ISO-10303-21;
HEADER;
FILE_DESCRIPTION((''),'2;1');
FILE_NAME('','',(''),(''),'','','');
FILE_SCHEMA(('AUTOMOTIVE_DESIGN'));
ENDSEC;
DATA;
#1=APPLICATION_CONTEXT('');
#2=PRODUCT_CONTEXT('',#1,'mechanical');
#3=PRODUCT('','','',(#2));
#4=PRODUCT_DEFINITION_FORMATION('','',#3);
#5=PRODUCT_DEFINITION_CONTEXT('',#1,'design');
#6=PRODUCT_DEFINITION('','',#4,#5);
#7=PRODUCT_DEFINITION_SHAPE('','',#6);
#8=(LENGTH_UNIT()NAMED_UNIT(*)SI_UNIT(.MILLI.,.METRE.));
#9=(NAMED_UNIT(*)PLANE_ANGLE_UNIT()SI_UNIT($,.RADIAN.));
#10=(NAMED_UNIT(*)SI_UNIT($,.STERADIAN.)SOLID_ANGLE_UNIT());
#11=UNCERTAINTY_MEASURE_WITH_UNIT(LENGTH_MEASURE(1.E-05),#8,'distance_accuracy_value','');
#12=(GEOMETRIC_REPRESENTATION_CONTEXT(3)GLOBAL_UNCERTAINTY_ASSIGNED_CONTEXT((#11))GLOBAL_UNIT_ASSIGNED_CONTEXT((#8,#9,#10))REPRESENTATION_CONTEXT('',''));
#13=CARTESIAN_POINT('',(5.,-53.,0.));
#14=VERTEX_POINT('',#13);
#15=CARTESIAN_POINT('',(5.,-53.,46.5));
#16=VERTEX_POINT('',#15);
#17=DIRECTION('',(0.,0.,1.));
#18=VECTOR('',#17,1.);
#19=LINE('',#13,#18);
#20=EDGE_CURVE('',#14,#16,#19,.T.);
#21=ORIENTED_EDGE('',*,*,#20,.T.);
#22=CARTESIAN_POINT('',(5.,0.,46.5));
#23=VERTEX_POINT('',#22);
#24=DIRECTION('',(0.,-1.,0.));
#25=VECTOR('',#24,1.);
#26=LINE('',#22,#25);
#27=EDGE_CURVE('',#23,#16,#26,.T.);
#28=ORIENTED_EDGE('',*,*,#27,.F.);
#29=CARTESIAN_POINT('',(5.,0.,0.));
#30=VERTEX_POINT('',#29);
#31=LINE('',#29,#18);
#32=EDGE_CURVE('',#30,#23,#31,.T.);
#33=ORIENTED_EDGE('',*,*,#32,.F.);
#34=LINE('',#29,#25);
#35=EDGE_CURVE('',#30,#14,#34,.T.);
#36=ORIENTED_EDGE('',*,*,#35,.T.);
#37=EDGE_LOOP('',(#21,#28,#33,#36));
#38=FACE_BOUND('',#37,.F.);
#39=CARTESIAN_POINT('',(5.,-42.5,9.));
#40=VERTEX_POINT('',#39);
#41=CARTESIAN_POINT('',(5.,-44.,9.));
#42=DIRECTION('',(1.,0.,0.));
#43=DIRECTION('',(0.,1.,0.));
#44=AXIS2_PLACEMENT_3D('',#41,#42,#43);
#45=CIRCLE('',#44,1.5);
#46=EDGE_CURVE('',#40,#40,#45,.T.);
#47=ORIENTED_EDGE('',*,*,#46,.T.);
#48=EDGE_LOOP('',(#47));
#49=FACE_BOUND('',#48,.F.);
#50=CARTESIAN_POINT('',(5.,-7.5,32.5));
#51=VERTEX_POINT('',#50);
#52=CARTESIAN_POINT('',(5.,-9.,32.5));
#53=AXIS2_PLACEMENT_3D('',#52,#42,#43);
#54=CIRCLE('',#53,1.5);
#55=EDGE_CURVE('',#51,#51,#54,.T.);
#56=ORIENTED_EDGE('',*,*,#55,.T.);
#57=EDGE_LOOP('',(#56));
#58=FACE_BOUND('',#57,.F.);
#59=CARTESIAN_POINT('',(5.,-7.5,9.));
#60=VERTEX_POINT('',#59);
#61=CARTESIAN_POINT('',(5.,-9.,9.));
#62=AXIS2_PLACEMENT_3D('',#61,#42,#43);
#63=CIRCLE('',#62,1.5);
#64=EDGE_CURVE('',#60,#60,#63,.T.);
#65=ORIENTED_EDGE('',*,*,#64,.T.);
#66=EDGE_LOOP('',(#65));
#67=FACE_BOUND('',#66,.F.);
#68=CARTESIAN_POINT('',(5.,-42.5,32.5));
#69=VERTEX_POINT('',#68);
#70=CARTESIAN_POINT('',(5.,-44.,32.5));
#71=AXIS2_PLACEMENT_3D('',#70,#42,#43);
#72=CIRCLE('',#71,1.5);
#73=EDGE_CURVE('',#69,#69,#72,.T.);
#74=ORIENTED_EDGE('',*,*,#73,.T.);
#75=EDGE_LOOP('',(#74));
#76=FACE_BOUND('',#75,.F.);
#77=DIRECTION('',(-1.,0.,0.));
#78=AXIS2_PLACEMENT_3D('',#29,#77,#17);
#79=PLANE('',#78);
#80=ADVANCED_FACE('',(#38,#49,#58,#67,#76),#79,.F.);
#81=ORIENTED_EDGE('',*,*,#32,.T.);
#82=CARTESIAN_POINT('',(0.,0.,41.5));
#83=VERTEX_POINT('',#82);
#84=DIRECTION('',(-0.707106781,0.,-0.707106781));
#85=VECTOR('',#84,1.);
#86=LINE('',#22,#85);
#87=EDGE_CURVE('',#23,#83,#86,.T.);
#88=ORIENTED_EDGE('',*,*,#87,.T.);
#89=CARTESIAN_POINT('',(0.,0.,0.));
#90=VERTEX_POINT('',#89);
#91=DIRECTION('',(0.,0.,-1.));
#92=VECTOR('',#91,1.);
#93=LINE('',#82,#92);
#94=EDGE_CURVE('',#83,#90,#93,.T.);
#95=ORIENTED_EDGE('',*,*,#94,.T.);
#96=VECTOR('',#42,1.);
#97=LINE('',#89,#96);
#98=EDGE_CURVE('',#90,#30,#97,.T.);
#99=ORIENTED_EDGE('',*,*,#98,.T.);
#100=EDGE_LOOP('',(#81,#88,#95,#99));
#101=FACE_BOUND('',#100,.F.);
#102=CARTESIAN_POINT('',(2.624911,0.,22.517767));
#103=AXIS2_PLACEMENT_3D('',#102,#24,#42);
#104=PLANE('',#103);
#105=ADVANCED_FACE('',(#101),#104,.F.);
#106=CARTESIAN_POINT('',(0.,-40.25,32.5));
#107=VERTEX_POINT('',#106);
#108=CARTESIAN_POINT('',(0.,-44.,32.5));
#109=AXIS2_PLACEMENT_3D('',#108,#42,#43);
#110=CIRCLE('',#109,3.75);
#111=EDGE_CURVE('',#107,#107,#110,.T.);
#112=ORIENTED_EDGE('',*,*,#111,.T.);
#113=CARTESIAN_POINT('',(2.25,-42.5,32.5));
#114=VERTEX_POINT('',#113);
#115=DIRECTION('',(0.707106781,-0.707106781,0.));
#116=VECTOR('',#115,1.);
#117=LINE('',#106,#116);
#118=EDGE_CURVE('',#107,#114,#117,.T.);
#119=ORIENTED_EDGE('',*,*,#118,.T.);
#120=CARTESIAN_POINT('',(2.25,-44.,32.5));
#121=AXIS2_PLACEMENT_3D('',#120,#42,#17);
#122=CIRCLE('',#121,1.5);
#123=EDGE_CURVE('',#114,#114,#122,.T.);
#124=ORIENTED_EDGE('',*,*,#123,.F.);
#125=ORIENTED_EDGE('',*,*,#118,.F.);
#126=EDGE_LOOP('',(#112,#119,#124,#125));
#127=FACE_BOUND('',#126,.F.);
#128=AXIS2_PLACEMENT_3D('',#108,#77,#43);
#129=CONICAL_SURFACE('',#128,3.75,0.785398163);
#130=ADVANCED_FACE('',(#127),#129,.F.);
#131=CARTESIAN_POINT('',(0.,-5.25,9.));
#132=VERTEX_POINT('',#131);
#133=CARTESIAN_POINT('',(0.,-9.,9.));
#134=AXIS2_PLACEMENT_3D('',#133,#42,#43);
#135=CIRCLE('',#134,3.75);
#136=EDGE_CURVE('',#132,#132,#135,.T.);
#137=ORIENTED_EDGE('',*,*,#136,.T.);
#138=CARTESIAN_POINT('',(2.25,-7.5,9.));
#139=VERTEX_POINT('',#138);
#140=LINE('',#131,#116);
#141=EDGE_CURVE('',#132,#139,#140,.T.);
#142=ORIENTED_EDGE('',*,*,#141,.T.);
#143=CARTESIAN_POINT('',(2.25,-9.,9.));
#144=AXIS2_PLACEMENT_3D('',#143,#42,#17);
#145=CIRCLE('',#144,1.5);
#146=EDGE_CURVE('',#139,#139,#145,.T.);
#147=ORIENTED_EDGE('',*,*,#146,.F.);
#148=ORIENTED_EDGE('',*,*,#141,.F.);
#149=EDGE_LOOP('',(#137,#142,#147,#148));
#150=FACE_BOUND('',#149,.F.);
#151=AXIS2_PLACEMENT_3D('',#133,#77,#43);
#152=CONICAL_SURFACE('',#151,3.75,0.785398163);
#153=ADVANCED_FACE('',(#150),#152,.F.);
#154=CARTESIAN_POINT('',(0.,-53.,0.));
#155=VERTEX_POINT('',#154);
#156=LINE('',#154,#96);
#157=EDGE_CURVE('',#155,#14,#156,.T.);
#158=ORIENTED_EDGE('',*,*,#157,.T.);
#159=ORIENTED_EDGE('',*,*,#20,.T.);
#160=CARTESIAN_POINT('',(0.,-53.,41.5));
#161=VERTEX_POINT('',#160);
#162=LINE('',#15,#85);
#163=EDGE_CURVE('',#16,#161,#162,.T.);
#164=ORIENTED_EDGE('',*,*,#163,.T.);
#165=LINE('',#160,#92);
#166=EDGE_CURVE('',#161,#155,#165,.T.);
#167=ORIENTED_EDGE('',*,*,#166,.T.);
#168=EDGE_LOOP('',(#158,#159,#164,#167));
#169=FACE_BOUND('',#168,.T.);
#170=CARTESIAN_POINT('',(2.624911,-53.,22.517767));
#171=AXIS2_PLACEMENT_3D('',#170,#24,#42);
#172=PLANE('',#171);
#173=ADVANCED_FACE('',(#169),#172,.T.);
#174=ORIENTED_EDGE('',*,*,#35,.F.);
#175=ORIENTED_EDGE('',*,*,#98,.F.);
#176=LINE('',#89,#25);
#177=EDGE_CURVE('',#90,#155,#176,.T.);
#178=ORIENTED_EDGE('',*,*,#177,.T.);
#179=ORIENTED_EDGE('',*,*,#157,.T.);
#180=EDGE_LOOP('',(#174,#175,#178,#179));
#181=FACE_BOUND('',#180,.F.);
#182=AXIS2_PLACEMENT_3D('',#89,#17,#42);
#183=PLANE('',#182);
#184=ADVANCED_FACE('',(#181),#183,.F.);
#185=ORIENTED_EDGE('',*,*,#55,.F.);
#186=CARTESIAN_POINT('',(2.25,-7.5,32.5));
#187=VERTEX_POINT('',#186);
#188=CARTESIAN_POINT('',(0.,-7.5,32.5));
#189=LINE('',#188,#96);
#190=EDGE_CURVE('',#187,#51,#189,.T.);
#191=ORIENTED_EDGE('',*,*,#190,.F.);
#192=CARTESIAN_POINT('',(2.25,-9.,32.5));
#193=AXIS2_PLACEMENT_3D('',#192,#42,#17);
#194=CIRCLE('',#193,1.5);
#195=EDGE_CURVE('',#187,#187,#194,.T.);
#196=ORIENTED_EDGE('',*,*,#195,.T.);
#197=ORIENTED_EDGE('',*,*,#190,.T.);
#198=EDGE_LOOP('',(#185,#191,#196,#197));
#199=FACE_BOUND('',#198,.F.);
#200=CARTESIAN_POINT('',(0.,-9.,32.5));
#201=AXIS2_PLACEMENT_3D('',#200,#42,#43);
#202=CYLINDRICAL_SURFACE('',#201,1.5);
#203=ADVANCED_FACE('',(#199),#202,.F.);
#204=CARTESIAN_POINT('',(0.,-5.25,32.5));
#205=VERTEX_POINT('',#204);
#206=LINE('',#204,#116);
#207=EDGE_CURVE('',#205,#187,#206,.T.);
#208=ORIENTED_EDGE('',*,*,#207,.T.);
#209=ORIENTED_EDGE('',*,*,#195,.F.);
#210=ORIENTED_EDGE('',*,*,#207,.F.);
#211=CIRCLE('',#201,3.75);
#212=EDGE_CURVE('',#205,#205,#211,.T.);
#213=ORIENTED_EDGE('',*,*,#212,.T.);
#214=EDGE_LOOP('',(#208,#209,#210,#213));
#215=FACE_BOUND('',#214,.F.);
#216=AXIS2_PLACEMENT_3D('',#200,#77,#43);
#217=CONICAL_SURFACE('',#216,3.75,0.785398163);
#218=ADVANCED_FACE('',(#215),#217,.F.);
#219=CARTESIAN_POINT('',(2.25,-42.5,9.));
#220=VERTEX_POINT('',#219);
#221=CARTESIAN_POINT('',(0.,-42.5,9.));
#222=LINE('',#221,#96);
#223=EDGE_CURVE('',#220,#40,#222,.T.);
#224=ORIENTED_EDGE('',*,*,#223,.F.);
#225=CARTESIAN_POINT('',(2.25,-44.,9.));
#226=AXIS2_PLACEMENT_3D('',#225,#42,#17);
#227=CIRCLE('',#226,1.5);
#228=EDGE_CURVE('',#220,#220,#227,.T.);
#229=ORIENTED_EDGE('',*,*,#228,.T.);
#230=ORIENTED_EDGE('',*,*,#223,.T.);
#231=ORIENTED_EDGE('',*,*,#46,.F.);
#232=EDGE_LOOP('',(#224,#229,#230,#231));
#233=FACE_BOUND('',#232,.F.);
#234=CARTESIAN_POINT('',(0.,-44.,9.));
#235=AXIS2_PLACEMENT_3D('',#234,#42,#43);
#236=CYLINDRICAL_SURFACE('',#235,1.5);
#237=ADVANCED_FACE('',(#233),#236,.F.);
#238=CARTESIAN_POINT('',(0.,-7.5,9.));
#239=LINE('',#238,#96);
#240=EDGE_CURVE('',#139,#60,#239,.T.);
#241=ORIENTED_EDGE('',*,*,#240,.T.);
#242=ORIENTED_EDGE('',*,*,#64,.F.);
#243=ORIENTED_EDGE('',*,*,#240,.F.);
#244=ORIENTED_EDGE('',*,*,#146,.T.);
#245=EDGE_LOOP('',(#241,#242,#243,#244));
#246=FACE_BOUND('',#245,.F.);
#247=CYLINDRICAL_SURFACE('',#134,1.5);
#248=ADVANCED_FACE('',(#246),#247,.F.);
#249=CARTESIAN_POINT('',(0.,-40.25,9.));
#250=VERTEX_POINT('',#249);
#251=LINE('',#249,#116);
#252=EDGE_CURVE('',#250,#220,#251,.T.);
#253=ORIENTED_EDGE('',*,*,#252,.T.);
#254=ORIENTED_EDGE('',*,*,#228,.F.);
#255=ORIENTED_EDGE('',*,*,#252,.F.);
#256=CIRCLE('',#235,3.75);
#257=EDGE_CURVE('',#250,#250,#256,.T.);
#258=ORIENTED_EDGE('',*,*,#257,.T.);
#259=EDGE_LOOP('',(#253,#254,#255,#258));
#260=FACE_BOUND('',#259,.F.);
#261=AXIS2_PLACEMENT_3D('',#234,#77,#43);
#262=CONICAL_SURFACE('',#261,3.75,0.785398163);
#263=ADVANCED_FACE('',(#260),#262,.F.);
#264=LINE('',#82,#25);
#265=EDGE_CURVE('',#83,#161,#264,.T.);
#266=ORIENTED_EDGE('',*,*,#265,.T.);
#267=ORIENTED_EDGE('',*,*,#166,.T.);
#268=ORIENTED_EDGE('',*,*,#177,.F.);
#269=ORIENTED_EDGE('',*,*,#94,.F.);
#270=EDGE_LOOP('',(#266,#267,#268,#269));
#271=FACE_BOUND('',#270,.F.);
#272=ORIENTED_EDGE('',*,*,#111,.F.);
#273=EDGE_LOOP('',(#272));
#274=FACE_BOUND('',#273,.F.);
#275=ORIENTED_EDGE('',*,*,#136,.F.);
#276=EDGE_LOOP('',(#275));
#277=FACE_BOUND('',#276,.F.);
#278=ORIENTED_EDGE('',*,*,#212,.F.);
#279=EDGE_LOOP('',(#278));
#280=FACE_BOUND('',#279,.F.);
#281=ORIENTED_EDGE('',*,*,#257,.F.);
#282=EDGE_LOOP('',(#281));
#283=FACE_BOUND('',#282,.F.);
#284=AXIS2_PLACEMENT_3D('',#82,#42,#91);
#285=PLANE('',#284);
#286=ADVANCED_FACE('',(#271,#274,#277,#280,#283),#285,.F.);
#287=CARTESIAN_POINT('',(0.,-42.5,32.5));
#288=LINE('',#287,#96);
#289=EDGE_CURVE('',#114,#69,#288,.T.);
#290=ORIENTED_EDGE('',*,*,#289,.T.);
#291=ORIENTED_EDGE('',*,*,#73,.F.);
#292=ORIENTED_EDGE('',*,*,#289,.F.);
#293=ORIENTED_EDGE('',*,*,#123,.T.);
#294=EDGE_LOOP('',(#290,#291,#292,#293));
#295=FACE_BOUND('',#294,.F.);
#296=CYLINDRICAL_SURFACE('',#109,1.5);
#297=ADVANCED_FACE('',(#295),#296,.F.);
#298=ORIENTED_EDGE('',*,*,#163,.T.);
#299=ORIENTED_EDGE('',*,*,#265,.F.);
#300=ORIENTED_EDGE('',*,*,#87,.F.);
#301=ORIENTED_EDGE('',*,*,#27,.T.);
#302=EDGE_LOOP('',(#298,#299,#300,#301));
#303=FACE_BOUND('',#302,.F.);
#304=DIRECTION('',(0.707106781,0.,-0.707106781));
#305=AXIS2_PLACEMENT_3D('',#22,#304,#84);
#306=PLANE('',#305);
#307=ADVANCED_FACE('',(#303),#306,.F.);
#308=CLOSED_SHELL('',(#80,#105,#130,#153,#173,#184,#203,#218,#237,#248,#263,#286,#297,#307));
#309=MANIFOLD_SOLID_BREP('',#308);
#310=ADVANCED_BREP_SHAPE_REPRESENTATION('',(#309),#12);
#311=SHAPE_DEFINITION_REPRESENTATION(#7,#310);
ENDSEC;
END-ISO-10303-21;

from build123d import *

# Parameters (mm, degrees)
F1_DEPTH       = 53
F3_D           = 3
F3_CSINK_D     = 7.5
F3_CSINK_ANGLE = 90


with BuildPart() as f1:
    # F0 (on Front) → F1 (new body)
    with BuildSketch(Plane.XZ):
        Polygon((0, 41.5), (0, 0), (5, 0), (5, 46.5), align=None)
    extrude(amount=F1_DEPTH)

    # F3 (through all)
    with Locations(Plane(origin=(0, 0, 0), x_dir=(0, -1, 0), z_dir=(-1, 0, 0))):
        with Locations((9, 32.5), (44, 32.5), (44, 9), (9, 9)):
            CounterSinkHole(F3_D / 2, F3_CSINK_D / 2, counter_sink_angle=F3_CSINK_ANGLE)


solid = f1.part
